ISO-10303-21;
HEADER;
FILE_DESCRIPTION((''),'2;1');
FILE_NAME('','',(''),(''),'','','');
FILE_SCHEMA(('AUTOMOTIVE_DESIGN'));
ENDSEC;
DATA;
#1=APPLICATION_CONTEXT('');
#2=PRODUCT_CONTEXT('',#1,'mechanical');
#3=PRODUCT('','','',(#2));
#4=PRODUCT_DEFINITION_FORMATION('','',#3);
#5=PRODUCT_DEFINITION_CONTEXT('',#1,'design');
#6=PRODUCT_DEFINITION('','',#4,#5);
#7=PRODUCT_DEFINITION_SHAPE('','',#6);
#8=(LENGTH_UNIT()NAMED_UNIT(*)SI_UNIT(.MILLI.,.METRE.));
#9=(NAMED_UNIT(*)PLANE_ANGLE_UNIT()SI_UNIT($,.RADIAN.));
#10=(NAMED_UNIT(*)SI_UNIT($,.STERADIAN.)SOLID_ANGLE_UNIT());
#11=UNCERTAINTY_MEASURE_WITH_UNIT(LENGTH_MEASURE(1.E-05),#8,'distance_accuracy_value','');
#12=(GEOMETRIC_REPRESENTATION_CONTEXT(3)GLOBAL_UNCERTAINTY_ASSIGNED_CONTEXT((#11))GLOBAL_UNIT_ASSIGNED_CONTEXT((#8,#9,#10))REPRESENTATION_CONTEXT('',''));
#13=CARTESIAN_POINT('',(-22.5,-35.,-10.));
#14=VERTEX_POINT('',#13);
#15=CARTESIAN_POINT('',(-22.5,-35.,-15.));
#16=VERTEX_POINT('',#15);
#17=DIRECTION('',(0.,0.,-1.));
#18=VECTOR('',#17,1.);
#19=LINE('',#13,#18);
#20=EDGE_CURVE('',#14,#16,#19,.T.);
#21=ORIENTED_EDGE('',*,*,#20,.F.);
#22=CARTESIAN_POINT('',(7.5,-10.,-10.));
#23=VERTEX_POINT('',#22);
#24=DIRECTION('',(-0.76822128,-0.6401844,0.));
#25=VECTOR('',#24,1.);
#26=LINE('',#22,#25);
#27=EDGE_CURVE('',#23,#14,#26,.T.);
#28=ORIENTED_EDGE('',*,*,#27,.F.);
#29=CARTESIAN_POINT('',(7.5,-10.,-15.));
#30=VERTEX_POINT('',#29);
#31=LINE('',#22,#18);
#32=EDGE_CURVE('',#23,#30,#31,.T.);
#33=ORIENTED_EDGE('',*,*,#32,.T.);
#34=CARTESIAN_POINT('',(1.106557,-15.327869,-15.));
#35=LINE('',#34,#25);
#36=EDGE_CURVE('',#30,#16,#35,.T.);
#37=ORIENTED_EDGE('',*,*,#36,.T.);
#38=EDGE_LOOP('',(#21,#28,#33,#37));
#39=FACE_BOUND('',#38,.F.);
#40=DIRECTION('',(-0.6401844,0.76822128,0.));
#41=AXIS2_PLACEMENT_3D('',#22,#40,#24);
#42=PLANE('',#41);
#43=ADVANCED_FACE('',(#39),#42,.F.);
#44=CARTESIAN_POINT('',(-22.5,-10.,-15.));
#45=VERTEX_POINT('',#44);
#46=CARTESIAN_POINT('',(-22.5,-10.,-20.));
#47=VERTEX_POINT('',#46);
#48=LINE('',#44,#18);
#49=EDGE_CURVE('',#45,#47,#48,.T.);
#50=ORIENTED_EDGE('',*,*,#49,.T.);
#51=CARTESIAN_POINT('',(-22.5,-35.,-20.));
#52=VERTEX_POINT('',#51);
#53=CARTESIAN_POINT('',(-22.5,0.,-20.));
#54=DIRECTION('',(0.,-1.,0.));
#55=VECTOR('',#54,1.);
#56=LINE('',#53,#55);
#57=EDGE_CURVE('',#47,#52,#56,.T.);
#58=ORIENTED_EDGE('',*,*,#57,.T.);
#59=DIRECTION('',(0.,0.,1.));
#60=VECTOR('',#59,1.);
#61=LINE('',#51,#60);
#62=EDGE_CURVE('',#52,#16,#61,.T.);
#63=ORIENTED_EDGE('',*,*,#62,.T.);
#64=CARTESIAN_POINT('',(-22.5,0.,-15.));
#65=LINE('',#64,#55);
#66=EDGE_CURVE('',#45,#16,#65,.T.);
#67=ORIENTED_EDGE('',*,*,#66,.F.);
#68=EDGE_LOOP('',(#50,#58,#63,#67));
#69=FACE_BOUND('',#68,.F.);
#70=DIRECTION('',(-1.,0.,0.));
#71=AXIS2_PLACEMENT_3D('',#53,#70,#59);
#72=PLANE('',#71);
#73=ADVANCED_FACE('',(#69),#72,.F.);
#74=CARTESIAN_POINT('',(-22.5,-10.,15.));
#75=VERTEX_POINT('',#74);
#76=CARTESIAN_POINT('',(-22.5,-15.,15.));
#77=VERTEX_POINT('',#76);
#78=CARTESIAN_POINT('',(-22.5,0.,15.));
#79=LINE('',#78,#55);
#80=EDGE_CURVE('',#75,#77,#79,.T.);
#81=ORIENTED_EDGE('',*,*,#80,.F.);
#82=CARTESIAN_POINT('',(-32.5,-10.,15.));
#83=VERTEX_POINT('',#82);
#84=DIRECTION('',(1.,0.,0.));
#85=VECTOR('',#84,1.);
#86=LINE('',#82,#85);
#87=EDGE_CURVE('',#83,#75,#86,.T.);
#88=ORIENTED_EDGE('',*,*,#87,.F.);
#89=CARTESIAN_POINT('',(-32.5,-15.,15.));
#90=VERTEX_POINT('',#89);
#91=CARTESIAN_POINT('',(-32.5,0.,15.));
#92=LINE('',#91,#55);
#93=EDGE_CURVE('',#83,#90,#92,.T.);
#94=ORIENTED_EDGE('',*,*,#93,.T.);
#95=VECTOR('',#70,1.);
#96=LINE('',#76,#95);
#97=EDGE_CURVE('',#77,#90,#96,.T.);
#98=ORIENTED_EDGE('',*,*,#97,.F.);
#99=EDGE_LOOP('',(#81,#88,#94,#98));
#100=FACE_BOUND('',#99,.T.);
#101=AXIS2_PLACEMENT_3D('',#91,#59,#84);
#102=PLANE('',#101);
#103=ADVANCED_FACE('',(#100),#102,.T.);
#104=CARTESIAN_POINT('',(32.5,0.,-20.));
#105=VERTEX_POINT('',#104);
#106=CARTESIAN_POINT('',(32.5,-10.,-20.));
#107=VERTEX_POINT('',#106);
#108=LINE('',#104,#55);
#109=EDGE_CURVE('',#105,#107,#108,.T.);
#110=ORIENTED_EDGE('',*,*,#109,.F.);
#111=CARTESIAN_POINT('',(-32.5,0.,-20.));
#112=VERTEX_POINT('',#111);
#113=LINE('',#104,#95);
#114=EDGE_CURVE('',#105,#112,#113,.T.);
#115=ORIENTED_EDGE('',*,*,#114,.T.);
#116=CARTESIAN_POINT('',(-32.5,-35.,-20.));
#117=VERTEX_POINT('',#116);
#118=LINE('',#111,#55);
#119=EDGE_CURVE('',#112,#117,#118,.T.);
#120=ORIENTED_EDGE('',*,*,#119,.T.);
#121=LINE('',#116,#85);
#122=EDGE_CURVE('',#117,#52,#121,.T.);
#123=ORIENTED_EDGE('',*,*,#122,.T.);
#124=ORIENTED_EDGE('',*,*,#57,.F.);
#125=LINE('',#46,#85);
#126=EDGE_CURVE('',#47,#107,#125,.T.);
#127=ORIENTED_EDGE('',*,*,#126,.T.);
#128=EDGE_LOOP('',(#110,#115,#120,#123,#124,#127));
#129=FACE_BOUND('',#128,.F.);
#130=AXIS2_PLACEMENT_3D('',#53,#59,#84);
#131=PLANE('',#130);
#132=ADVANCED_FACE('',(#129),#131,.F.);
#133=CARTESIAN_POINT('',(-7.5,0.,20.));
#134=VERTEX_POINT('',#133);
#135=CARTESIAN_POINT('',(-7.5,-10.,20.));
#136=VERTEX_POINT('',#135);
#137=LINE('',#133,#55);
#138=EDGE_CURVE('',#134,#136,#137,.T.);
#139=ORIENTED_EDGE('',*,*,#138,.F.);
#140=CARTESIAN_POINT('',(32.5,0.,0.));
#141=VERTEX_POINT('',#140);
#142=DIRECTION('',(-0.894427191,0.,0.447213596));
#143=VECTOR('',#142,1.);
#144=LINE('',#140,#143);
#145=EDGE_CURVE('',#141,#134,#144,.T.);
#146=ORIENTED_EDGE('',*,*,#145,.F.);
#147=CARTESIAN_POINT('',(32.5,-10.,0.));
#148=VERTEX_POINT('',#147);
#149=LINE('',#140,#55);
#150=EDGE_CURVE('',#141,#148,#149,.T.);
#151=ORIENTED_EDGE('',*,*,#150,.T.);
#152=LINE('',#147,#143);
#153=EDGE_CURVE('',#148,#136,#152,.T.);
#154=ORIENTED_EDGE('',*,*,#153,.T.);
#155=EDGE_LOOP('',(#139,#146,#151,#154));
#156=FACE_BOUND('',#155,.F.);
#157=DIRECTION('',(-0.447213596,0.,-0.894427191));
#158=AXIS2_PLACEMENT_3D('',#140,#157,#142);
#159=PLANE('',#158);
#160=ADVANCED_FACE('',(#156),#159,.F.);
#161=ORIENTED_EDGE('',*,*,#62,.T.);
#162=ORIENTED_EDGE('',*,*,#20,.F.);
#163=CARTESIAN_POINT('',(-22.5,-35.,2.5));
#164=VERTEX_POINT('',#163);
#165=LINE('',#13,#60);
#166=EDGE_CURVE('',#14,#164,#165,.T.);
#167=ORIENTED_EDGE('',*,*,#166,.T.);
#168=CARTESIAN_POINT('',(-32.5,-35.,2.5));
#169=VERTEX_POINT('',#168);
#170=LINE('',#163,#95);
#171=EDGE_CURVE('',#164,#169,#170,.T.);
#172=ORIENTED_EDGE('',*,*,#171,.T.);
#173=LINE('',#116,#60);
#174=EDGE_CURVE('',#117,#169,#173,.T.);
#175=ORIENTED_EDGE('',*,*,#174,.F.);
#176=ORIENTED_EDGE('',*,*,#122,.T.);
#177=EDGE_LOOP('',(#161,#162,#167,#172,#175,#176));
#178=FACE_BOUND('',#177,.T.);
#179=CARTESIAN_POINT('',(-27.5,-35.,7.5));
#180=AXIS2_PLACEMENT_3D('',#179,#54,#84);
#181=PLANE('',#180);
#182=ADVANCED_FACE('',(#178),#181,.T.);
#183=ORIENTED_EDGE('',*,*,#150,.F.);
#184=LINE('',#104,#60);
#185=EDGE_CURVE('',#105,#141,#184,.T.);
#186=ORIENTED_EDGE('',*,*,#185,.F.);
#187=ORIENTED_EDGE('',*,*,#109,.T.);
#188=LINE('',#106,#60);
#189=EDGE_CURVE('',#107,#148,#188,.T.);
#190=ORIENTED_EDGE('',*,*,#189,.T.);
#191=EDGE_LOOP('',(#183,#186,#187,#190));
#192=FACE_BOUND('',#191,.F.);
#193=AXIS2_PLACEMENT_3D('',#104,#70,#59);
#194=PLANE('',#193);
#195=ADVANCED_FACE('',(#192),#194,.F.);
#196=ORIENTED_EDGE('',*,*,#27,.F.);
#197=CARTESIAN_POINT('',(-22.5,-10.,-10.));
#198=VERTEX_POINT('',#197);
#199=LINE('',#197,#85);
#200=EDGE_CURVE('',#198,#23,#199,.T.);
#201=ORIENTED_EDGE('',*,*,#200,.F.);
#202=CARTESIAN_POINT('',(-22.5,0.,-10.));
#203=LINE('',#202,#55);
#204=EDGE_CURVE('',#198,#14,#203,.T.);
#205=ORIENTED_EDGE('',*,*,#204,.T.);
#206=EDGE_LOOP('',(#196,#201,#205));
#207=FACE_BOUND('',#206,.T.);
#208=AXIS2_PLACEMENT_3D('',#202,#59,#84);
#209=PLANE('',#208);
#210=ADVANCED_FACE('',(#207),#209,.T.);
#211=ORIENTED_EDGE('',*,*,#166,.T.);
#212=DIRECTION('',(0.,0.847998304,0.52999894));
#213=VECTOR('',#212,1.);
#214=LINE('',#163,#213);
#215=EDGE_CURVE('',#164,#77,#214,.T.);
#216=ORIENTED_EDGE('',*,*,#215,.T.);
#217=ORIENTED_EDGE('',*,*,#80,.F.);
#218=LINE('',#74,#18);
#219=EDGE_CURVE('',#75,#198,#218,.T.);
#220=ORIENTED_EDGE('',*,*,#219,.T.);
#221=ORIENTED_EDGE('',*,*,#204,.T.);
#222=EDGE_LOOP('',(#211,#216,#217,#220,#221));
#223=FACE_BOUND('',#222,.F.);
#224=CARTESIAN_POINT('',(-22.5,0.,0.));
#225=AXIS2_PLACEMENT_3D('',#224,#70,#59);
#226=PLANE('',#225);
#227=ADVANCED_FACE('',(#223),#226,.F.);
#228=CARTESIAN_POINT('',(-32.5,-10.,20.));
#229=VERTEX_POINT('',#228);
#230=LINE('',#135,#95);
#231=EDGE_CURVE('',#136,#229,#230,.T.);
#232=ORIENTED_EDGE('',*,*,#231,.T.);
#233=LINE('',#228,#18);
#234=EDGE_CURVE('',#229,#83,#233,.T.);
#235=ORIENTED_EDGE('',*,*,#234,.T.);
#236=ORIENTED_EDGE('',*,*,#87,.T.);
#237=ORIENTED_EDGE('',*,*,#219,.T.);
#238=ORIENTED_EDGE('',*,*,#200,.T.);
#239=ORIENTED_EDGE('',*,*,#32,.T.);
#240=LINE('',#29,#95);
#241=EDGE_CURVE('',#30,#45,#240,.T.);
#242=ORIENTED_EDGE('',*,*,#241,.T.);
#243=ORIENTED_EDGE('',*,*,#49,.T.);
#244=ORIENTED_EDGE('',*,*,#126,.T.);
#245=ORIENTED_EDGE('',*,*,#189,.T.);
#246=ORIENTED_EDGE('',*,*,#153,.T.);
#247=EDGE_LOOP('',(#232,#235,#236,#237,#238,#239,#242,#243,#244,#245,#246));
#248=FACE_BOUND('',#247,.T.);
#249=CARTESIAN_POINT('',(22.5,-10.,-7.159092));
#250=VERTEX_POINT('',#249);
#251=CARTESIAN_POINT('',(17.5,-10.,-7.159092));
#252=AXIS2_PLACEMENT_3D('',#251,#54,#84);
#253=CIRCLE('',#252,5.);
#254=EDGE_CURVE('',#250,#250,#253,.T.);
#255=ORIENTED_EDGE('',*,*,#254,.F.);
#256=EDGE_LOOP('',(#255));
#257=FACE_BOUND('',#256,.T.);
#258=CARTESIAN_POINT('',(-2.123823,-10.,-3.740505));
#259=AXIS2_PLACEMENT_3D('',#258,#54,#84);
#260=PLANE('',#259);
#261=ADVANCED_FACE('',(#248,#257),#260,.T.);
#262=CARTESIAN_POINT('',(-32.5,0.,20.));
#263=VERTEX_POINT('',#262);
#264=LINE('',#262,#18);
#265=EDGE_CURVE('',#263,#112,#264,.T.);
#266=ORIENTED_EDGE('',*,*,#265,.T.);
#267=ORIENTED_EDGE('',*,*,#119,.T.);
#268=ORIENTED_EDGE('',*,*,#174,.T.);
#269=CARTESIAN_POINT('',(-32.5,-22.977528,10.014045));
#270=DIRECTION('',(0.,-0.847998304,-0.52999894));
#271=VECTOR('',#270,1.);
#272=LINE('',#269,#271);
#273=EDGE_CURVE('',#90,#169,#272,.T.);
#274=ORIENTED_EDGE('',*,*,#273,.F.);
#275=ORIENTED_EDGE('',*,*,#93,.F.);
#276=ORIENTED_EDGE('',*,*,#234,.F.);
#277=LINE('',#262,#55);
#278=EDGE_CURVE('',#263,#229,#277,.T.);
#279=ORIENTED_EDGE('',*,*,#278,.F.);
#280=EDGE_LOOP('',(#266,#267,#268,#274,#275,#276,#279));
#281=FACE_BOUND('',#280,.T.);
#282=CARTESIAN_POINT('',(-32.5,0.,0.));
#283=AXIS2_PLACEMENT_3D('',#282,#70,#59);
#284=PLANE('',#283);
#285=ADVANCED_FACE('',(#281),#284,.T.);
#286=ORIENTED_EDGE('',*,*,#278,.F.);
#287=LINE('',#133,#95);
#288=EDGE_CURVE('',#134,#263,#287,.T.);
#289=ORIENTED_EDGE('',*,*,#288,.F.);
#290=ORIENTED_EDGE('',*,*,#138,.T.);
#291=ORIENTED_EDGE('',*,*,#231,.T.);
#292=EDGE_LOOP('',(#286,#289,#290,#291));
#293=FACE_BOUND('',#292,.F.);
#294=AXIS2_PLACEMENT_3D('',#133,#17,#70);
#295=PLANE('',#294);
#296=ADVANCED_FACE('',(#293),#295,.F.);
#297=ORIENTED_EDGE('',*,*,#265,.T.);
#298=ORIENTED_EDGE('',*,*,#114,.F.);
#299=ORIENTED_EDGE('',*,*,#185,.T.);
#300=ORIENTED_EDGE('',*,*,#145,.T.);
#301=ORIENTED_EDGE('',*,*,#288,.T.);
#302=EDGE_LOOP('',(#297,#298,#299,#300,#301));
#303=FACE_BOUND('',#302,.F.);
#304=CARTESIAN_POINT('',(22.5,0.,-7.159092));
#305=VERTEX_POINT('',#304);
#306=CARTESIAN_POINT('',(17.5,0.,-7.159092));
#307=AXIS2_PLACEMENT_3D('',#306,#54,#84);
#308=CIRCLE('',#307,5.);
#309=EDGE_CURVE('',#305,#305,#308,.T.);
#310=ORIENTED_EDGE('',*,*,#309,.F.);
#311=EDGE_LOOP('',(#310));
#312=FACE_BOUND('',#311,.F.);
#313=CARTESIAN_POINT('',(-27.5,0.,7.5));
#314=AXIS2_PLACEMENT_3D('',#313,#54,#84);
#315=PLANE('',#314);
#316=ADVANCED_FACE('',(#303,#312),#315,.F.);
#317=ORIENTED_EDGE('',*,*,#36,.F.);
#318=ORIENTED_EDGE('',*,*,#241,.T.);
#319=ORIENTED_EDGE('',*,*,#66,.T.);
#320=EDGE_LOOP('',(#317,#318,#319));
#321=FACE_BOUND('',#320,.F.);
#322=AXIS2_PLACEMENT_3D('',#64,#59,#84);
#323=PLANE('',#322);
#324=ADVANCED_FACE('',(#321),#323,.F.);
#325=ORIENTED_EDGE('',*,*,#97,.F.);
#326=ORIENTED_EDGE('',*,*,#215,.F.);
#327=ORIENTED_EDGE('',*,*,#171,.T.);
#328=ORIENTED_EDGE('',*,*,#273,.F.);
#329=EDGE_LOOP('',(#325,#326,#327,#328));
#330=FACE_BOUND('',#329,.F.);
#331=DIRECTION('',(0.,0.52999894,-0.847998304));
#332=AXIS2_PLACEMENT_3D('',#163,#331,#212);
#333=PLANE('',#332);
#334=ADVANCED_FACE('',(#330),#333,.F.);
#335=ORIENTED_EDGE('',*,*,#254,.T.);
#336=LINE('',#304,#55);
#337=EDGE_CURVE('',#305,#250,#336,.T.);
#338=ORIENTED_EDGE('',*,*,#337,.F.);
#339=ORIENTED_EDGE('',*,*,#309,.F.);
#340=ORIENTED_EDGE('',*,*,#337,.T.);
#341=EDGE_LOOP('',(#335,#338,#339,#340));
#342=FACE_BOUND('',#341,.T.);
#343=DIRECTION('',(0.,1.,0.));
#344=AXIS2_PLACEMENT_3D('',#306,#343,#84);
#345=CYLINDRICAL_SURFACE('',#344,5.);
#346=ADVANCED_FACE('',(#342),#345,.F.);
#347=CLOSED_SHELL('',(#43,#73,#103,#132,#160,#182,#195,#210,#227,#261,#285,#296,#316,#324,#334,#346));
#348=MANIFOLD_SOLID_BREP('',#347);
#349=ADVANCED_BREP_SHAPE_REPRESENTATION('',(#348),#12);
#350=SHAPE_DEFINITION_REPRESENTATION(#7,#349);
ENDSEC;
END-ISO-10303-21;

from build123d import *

# Parameters (mm, degrees)
F0_W     = 30
F0_H     = 5
F1_DEPTH = 35
F0_R     = 5
F2_DEPTH = 10
F0_W_2   = 10
F0_H_2   = 15
F3_DEPTH = 35
F5_DEPTH = 10.001
F7_DEPTH = 10.001


with BuildPart() as f1:
    # F0 (on Front) → F1 (new body)
    with BuildSketch(Plane.XZ):
        Polygon((-32.5, -20), (-22.5, -20), (-22.5, -15), (-22.5, -10), (-22.5, 0), (-32.5, 0), align=None)
        with Locations((-7.5, -12.5)):
            Rectangle(F0_W, F0_H)
    extrude(amount=F1_DEPTH)

    # F0 (on Front) → F2 (join)
    with BuildSketch(Plane.XZ):
        Polygon((32.5, 0), (-7.5, 20), (-32.5, 20), (-32.5, 15), (-22.5, 15), (-22.5, 0), (-22.5, -10), (7.5, -10), (7.5, -15), (-22.5, -15), (-22.5, -20), (32.5, -20), align=None)
        with Locations((17.5, -7.159092)):
            Circle(F0_R, mode=Mode.SUBTRACT)
    extrude(amount=F2_DEPTH)

    # F0 (on Front) → F3 (join)
    with BuildSketch(Plane.XZ):
        with Locations((-27.5, 7.5)):
            Rectangle(F0_W_2, F0_H_2)
    extrude(amount=F3_DEPTH)

    # F4 (on face) → F5 (cut, through all)
    with BuildSketch(Plane.XY.offset(-10)):
        Polygon((7.5, -10), (-22.5, -35), (7.5, -35), align=None)
    extrude(amount=-F5_DEPTH, mode=Mode.SUBTRACT)

    # F6 (on face) → F7 (cut, through all)
    with BuildSketch(Plane.YZ.offset(-22.5)):
        Polygon((-35, 15), (-35, 2.5), (-15, 15), align=None)
    extrude(amount=-F7_DEPTH, mode=Mode.SUBTRACT)


solid = f1.part
